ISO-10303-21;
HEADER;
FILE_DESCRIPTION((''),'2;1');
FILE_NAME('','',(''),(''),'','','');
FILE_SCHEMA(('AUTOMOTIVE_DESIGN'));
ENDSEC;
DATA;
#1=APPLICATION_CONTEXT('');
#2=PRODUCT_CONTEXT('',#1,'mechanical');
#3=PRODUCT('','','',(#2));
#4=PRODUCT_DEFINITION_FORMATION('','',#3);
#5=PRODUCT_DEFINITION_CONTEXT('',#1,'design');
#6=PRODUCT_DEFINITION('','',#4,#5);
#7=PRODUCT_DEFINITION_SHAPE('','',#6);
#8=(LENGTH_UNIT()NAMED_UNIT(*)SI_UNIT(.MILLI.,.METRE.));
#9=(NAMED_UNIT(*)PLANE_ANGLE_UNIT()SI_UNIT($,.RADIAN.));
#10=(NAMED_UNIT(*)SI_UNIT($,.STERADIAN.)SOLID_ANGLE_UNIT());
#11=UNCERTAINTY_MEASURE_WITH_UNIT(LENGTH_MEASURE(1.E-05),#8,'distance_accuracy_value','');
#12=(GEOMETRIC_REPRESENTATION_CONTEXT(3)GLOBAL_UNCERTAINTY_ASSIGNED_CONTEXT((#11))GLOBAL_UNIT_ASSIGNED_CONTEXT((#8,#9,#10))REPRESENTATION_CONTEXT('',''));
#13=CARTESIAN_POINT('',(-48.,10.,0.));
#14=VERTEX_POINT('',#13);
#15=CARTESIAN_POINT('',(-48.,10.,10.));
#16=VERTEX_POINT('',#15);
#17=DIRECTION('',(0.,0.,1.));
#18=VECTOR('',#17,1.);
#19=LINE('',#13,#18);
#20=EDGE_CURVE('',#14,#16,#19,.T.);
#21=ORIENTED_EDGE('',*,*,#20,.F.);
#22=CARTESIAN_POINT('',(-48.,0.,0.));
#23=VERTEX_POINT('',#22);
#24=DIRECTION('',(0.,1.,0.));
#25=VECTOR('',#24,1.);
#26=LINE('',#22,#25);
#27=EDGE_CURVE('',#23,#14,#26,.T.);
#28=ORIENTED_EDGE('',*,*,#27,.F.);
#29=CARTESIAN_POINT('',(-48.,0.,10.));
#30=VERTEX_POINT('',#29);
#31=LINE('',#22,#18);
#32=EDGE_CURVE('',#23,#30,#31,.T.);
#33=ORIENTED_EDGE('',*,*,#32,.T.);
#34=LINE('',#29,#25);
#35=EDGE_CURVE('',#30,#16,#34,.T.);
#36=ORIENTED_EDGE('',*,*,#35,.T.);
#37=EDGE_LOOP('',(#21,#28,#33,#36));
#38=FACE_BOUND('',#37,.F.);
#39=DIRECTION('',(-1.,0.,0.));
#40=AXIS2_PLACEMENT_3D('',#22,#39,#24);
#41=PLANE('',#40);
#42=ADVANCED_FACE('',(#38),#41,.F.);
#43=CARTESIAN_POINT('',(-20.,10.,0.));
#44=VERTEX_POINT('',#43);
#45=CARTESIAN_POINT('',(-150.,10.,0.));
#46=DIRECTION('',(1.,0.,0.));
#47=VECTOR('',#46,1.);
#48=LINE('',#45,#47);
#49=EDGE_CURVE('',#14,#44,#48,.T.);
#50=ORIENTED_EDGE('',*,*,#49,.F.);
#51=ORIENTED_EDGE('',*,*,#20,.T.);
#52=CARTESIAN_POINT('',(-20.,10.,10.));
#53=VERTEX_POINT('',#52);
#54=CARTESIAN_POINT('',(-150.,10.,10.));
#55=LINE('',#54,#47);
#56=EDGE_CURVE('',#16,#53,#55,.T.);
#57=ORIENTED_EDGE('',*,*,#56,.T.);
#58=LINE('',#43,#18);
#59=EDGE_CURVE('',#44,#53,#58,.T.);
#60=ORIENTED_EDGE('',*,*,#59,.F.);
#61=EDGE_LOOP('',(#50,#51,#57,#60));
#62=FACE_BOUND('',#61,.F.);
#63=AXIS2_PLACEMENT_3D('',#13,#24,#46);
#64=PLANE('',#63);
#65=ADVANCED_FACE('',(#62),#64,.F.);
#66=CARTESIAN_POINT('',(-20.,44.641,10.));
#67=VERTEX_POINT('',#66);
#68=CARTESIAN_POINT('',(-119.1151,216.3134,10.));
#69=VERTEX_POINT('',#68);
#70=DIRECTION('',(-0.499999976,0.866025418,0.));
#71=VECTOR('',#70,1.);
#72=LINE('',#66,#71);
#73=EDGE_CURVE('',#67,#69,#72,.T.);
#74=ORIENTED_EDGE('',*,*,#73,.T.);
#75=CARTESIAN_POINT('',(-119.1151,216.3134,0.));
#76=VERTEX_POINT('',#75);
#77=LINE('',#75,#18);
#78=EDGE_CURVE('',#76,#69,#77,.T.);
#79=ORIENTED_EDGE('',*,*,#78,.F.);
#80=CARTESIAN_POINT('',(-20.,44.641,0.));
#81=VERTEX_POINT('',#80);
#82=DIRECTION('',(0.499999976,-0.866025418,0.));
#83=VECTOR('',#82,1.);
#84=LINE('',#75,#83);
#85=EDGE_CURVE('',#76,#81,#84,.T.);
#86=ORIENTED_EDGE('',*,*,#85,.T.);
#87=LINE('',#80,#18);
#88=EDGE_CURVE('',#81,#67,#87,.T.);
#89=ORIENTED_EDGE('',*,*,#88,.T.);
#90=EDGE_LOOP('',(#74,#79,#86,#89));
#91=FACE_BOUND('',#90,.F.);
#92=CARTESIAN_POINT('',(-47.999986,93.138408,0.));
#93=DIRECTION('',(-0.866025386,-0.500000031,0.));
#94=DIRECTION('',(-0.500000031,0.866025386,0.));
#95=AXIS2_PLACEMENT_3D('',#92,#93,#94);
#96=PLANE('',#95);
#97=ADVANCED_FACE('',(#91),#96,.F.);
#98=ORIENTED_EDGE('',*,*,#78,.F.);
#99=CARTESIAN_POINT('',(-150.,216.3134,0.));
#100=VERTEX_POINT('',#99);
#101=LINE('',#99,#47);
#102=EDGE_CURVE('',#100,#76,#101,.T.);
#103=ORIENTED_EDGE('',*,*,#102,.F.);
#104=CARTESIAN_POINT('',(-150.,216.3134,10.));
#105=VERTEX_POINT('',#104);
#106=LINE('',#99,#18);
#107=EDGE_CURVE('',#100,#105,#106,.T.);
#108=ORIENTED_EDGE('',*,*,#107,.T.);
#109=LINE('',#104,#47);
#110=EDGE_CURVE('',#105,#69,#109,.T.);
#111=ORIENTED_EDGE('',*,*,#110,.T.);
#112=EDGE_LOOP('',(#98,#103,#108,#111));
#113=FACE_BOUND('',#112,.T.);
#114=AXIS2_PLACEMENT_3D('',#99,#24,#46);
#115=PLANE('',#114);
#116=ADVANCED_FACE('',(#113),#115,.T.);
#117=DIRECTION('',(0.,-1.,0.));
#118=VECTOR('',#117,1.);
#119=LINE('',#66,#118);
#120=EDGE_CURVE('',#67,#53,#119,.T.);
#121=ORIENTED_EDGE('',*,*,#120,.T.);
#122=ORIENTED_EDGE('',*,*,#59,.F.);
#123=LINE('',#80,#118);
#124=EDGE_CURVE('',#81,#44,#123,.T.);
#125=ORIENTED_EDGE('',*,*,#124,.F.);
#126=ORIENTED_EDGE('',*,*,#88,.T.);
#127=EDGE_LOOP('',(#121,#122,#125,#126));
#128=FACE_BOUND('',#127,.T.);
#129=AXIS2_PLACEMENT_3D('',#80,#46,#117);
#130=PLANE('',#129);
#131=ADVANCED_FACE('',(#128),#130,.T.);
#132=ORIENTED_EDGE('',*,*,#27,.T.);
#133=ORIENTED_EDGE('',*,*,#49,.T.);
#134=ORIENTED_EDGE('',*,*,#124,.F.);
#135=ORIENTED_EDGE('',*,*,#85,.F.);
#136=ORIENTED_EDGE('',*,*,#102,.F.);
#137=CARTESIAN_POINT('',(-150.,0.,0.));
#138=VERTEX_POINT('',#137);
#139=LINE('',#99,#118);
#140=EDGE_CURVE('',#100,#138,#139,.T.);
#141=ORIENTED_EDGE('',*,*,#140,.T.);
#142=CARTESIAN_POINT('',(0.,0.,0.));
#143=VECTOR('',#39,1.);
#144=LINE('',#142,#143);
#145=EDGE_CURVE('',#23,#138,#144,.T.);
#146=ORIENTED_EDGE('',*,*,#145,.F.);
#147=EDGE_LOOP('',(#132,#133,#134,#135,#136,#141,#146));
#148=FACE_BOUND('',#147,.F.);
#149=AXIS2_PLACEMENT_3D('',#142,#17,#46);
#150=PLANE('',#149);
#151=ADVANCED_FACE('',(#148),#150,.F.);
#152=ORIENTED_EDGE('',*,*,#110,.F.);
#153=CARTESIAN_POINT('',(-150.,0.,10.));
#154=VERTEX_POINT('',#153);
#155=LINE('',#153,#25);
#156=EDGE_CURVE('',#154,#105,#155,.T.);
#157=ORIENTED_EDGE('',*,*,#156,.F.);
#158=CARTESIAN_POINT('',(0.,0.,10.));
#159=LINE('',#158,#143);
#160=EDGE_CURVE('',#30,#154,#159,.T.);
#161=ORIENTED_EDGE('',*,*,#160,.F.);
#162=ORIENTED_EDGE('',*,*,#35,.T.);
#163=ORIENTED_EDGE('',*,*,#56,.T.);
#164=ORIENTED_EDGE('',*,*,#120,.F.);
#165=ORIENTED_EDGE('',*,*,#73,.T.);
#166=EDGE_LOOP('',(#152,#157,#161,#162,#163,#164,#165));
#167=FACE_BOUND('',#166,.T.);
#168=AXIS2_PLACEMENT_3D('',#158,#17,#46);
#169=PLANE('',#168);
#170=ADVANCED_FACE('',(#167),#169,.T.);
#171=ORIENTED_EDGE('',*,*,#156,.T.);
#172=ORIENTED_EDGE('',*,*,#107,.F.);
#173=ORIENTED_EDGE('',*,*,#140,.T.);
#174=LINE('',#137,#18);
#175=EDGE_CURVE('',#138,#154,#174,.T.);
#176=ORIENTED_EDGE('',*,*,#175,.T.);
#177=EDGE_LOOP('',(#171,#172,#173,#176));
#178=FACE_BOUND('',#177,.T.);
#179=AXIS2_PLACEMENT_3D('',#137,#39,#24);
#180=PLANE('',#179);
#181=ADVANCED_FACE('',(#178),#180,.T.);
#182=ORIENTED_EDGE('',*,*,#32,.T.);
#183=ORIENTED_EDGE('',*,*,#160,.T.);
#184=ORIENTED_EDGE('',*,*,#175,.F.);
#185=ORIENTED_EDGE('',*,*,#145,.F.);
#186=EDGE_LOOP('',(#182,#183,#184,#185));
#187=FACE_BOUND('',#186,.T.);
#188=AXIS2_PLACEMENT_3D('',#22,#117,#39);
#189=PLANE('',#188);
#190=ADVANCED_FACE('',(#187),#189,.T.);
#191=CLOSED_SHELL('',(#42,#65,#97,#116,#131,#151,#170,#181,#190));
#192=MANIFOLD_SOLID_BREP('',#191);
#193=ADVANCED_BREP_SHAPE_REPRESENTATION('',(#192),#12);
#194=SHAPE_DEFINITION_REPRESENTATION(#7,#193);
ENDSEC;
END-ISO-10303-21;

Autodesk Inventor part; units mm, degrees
ref_plane "YZ Plane" through (0, 0, 0) normal (1, 0, 0) x (0, 1, 0)
ref_plane "XZ Plane" through (0, 0, 0) normal (0, 1, 0) x (-1, 0, 0)
ref_plane "XY Plane" through (0, 0, 0) normal (0, 0, 1) x (1, 0, 0)
sketch "Sketch3" plane through (0, 0, 0) normal (0, 0, 1) x (1, 0, 0)
  line L0 (0, 0) -> (-150, 0)
  line L1 (-150, 0) -> (-150, 10)
  line L2 (-150, 10) -> (0, 10)
  line L3 (0, 10) -> (0, 0)
  line L4 (0, 10) -> (-150, 269.8076)
  line L5 (-150, 269.8076) -> (-150, 10)
  line L6 (-20, 44.641) -> (-20, 10)
  line L7 (-48, 0) -> (-48, 93.1384)
  line L8 (-150, 216.3134) -> (-119.1151, 216.3134)
  point P0 (-48, 10)
  dimension "d19" = 150
  dimension "d29" = 10
  dimension "d31" = 60
  dimension "d32" = 20
  dimension "d34" = 48
extrude "Plate3" add sketch "Sketch3" along normal blind 10 contours L0 L1 L2 L7 | L7 L4 L6 L2 | L2 L5 L8 L4 L7
equation "\"d18\" = Thickness"
equation "\"BendReliefDepth\" = 0.5 * Thickness"
equation "\"Thickness\" = 10"
properties part number "NVPH-319 conductor"
